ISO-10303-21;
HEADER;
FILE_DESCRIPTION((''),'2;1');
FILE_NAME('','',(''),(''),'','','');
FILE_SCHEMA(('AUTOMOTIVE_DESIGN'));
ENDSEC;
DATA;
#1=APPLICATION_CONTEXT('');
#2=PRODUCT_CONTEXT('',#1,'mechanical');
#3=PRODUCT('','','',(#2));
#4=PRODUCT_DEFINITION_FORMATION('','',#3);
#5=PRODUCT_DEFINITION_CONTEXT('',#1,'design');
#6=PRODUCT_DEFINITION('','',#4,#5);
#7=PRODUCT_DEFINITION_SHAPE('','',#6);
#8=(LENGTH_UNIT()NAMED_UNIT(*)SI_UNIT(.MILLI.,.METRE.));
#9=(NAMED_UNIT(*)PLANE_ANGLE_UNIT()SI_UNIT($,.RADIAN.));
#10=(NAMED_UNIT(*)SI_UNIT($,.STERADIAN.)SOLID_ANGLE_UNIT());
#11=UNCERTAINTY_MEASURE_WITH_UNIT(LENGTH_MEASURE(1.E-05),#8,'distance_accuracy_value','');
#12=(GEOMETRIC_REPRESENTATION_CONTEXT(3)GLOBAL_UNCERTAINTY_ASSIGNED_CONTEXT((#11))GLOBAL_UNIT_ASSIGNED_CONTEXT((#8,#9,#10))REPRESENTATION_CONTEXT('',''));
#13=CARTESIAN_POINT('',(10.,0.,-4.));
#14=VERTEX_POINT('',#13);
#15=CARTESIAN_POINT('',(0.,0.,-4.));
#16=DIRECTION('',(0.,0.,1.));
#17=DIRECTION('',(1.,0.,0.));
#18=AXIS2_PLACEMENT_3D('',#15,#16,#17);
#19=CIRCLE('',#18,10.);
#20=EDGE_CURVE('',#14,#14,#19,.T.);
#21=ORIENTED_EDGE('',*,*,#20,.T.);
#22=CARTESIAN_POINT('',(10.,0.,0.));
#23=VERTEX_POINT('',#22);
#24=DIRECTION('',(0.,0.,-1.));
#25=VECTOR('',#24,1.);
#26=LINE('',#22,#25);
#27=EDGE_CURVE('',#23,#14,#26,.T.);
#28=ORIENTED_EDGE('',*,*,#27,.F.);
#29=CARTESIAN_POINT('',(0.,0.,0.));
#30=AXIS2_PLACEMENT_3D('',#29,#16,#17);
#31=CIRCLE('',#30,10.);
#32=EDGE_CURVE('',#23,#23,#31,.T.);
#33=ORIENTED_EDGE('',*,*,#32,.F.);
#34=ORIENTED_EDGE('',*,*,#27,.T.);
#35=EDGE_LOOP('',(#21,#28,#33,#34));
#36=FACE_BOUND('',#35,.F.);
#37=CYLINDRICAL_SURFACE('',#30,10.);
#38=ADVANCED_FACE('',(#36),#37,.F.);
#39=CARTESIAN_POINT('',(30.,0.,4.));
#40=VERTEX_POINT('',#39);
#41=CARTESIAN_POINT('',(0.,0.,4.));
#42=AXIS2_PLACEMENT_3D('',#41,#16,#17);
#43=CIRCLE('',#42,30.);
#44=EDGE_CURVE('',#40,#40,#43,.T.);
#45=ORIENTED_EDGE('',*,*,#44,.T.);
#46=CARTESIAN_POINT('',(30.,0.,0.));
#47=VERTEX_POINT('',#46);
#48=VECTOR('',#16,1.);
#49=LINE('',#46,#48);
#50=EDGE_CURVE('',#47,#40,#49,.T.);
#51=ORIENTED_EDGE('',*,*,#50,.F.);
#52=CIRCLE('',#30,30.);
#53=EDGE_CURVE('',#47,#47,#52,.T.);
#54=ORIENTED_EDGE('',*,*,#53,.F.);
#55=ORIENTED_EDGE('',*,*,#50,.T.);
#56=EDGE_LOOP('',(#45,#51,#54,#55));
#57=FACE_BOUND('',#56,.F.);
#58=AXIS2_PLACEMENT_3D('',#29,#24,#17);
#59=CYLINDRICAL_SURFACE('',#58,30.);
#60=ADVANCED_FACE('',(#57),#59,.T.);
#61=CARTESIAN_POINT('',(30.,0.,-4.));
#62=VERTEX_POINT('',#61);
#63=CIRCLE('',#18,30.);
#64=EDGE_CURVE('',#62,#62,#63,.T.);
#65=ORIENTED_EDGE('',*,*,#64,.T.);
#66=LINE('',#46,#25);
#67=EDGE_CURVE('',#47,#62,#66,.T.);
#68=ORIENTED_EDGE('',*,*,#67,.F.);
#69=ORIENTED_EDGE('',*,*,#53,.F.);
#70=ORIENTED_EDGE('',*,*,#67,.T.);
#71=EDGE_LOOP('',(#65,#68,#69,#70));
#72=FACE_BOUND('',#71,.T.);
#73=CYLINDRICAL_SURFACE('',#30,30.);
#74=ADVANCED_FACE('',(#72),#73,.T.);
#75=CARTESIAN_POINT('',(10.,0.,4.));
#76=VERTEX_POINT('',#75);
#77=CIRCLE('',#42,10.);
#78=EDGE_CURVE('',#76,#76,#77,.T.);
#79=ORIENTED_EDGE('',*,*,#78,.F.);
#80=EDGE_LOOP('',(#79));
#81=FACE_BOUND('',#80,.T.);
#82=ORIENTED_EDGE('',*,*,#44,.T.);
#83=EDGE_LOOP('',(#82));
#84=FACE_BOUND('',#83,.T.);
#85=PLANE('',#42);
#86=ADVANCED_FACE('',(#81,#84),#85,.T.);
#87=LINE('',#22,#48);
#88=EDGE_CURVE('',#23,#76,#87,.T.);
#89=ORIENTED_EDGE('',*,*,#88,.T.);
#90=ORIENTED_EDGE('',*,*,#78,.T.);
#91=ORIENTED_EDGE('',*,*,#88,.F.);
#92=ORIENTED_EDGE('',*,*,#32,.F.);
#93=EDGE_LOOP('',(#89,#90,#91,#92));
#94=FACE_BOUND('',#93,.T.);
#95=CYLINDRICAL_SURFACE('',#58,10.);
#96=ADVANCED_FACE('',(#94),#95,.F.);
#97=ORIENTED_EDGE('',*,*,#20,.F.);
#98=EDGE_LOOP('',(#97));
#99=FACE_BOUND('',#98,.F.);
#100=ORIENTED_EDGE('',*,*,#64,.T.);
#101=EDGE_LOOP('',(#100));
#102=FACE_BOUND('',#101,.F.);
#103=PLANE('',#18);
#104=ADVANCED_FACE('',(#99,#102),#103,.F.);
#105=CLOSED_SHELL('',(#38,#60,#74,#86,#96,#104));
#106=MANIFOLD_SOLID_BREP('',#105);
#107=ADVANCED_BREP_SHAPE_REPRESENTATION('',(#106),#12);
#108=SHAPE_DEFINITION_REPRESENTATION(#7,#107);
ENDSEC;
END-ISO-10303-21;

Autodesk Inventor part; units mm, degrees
ref_plane "YZ Plane" through (0, 0, 0) normal (1, 0, 0) x (0, 1, 0)
ref_plane "XZ Plane" through (0, 0, 0) normal (0, 1, 0) x (-1, 0, 0)
ref_plane "XY Plane" through (0, 0, 0) normal (0, 0, 1) x (1, 0, 0)
sketch "Sketch1" plane through (0, 0, 0) normal (0, 0, 1) x (1, 0, 0)
  circle A0 centre (0, 0) radius 10
  circle A1 centre (0, 0) radius 30
  dimension "d0" = 20
  dimension "d1" = 60
extrude "Extrusion1" add sketch "Sketch1" along normal mid plane 8
properties part number "kettingwiel"
